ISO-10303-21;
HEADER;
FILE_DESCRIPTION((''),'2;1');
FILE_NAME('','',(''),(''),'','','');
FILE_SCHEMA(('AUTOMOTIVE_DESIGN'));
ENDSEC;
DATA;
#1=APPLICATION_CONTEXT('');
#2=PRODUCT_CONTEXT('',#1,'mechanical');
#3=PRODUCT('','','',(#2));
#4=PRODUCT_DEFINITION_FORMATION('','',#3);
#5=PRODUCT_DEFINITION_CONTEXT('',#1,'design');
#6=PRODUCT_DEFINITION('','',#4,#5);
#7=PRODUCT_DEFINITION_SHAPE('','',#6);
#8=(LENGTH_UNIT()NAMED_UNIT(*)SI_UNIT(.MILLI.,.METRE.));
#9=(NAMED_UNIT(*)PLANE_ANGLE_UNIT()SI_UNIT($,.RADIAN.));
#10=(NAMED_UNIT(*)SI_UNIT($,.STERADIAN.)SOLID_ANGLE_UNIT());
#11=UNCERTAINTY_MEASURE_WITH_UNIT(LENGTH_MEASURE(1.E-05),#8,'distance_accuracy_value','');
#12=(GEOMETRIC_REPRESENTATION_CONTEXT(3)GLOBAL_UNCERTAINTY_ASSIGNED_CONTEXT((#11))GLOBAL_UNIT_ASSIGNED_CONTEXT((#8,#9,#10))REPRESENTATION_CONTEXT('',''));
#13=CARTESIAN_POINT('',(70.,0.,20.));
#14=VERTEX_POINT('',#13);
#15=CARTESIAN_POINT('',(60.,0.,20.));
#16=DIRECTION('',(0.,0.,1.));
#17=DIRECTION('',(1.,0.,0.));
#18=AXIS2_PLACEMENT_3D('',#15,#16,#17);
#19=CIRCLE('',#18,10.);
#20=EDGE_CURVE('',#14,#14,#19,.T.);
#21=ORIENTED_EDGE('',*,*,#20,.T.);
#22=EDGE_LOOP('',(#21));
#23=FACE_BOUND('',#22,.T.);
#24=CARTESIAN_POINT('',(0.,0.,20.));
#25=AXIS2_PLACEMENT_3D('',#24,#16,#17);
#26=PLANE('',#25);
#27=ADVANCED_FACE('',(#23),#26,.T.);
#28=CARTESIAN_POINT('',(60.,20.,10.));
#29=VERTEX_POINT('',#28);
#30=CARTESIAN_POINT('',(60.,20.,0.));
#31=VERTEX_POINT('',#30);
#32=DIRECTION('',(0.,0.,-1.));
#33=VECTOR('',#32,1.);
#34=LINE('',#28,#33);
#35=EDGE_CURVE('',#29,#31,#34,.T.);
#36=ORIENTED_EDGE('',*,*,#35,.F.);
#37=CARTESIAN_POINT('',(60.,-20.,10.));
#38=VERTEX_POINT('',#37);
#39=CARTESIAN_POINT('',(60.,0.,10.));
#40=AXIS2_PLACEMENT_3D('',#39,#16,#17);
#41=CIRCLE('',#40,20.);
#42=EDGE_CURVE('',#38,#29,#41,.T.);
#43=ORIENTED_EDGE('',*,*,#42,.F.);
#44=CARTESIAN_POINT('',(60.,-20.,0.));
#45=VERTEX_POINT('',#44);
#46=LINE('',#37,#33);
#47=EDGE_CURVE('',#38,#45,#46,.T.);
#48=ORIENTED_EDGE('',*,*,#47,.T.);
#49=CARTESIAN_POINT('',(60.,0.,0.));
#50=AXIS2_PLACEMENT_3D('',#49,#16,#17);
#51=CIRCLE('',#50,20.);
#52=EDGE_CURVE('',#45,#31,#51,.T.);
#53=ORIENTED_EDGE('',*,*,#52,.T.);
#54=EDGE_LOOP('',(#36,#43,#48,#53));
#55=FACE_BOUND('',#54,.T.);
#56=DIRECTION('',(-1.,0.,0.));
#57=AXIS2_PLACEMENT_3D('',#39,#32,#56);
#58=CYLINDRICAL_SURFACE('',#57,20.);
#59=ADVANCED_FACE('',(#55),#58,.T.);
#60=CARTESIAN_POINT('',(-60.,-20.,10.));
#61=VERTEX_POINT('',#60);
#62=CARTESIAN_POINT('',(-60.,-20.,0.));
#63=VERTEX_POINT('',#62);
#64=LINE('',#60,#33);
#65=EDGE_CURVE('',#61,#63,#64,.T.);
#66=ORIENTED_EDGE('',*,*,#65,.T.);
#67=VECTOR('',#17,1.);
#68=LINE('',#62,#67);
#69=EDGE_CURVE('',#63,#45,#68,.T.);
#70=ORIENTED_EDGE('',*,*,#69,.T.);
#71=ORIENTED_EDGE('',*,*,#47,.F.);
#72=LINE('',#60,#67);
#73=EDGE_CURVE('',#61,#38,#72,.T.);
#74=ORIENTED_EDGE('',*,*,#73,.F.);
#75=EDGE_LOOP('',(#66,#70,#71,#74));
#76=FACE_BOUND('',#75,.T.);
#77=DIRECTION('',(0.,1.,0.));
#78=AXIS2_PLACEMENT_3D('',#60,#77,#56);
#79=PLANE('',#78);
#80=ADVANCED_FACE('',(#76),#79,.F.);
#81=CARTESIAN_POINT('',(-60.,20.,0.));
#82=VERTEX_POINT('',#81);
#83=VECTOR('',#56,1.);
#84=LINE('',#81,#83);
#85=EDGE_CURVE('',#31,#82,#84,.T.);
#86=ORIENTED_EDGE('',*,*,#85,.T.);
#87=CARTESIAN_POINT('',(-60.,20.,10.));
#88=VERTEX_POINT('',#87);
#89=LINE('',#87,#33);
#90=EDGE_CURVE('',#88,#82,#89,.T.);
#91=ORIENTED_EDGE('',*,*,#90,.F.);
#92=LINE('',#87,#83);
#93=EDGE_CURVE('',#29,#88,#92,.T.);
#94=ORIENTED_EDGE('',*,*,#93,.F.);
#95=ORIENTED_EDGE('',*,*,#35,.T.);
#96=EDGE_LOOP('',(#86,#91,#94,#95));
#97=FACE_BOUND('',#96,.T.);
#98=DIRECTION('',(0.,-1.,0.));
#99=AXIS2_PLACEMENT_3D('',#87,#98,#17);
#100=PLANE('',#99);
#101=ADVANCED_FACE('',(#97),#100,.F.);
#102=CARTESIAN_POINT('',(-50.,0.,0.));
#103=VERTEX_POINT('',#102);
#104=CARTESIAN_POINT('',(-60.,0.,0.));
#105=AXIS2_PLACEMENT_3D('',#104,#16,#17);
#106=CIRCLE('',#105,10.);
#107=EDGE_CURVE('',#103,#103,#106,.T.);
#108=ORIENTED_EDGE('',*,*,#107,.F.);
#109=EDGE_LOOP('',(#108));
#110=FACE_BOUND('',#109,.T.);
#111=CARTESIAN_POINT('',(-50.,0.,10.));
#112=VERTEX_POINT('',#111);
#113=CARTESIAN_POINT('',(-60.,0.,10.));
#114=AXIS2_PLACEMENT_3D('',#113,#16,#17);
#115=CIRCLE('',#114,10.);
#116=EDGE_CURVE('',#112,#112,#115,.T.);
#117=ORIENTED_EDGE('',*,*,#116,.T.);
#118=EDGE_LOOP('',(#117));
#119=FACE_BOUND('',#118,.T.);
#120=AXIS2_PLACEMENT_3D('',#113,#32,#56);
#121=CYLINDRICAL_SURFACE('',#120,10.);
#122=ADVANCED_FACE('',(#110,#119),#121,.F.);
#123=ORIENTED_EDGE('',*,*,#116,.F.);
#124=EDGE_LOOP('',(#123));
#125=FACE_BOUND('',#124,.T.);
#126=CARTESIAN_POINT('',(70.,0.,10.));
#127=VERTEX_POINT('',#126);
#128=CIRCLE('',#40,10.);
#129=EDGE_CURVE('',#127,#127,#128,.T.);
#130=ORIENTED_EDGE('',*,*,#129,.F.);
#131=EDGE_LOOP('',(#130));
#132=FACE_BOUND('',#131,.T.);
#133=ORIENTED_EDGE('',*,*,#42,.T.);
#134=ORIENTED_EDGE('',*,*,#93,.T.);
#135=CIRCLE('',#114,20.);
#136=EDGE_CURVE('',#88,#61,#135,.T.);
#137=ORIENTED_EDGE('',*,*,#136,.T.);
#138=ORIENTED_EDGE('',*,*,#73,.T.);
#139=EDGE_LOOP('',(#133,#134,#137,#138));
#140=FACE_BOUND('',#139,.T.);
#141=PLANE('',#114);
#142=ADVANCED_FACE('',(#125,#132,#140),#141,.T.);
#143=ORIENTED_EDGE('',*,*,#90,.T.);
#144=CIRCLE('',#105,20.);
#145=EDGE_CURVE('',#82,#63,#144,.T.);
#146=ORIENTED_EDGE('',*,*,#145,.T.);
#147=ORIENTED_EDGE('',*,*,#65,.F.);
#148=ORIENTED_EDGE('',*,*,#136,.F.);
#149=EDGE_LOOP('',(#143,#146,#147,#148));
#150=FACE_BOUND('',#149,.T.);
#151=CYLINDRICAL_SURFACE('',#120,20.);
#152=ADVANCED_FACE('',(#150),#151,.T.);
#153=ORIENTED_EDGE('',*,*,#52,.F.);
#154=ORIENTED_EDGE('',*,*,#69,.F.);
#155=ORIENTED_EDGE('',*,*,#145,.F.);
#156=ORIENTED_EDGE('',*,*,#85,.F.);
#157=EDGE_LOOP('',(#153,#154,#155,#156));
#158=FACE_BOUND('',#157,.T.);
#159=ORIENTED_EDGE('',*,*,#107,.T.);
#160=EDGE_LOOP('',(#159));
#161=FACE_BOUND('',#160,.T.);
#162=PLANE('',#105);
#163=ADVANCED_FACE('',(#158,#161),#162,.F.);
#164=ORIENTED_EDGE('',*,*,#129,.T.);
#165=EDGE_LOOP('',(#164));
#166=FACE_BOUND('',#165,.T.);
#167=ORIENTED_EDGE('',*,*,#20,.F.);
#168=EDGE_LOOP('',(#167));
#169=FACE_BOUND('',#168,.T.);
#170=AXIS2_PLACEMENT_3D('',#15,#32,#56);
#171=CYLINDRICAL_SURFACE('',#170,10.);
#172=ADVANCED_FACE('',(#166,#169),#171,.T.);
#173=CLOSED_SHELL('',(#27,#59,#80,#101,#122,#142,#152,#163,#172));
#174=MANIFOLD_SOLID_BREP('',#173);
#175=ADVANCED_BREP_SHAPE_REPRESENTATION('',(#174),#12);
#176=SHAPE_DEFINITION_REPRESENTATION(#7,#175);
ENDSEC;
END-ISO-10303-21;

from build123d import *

# Parameters (mm, degrees)
SKETCH1_R           = 10
BOSS_EXTRUDE1_DEPTH = 10
SKETCH1_2_R         = 10
BOSS_EXTRUDE2_DEPTH = 20


with BuildPart() as part:
    # Sketch1 → Boss-Extrude1 (new body)
    with BuildSketch(Plane.XY):
        with BuildLine():
            Line((-60, 20), (60, 20))
            ThreePointArc((60, 20), (80, 0), (60, -20))
            Line((60, -20), (-60, -20))
            ThreePointArc((-60, -20), (-80, 0), (-60, 20))
        make_face()
        with Locations((-60, 0)):
            Circle(SKETCH1_R, mode=Mode.SUBTRACT)
        with Locations((60, 0)):
            Circle(SKETCH1_R, mode=Mode.SUBTRACT)
    extrude(amount=BOSS_EXTRUDE1_DEPTH)

    # Sketch1<2> → Boss-Extrude2 (add)
    with BuildSketch(Plane.XY):
        with Locations((60, 0)):
            Circle(SKETCH1_2_R)
    extrude(amount=BOSS_EXTRUDE2_DEPTH)


solid = part.part
